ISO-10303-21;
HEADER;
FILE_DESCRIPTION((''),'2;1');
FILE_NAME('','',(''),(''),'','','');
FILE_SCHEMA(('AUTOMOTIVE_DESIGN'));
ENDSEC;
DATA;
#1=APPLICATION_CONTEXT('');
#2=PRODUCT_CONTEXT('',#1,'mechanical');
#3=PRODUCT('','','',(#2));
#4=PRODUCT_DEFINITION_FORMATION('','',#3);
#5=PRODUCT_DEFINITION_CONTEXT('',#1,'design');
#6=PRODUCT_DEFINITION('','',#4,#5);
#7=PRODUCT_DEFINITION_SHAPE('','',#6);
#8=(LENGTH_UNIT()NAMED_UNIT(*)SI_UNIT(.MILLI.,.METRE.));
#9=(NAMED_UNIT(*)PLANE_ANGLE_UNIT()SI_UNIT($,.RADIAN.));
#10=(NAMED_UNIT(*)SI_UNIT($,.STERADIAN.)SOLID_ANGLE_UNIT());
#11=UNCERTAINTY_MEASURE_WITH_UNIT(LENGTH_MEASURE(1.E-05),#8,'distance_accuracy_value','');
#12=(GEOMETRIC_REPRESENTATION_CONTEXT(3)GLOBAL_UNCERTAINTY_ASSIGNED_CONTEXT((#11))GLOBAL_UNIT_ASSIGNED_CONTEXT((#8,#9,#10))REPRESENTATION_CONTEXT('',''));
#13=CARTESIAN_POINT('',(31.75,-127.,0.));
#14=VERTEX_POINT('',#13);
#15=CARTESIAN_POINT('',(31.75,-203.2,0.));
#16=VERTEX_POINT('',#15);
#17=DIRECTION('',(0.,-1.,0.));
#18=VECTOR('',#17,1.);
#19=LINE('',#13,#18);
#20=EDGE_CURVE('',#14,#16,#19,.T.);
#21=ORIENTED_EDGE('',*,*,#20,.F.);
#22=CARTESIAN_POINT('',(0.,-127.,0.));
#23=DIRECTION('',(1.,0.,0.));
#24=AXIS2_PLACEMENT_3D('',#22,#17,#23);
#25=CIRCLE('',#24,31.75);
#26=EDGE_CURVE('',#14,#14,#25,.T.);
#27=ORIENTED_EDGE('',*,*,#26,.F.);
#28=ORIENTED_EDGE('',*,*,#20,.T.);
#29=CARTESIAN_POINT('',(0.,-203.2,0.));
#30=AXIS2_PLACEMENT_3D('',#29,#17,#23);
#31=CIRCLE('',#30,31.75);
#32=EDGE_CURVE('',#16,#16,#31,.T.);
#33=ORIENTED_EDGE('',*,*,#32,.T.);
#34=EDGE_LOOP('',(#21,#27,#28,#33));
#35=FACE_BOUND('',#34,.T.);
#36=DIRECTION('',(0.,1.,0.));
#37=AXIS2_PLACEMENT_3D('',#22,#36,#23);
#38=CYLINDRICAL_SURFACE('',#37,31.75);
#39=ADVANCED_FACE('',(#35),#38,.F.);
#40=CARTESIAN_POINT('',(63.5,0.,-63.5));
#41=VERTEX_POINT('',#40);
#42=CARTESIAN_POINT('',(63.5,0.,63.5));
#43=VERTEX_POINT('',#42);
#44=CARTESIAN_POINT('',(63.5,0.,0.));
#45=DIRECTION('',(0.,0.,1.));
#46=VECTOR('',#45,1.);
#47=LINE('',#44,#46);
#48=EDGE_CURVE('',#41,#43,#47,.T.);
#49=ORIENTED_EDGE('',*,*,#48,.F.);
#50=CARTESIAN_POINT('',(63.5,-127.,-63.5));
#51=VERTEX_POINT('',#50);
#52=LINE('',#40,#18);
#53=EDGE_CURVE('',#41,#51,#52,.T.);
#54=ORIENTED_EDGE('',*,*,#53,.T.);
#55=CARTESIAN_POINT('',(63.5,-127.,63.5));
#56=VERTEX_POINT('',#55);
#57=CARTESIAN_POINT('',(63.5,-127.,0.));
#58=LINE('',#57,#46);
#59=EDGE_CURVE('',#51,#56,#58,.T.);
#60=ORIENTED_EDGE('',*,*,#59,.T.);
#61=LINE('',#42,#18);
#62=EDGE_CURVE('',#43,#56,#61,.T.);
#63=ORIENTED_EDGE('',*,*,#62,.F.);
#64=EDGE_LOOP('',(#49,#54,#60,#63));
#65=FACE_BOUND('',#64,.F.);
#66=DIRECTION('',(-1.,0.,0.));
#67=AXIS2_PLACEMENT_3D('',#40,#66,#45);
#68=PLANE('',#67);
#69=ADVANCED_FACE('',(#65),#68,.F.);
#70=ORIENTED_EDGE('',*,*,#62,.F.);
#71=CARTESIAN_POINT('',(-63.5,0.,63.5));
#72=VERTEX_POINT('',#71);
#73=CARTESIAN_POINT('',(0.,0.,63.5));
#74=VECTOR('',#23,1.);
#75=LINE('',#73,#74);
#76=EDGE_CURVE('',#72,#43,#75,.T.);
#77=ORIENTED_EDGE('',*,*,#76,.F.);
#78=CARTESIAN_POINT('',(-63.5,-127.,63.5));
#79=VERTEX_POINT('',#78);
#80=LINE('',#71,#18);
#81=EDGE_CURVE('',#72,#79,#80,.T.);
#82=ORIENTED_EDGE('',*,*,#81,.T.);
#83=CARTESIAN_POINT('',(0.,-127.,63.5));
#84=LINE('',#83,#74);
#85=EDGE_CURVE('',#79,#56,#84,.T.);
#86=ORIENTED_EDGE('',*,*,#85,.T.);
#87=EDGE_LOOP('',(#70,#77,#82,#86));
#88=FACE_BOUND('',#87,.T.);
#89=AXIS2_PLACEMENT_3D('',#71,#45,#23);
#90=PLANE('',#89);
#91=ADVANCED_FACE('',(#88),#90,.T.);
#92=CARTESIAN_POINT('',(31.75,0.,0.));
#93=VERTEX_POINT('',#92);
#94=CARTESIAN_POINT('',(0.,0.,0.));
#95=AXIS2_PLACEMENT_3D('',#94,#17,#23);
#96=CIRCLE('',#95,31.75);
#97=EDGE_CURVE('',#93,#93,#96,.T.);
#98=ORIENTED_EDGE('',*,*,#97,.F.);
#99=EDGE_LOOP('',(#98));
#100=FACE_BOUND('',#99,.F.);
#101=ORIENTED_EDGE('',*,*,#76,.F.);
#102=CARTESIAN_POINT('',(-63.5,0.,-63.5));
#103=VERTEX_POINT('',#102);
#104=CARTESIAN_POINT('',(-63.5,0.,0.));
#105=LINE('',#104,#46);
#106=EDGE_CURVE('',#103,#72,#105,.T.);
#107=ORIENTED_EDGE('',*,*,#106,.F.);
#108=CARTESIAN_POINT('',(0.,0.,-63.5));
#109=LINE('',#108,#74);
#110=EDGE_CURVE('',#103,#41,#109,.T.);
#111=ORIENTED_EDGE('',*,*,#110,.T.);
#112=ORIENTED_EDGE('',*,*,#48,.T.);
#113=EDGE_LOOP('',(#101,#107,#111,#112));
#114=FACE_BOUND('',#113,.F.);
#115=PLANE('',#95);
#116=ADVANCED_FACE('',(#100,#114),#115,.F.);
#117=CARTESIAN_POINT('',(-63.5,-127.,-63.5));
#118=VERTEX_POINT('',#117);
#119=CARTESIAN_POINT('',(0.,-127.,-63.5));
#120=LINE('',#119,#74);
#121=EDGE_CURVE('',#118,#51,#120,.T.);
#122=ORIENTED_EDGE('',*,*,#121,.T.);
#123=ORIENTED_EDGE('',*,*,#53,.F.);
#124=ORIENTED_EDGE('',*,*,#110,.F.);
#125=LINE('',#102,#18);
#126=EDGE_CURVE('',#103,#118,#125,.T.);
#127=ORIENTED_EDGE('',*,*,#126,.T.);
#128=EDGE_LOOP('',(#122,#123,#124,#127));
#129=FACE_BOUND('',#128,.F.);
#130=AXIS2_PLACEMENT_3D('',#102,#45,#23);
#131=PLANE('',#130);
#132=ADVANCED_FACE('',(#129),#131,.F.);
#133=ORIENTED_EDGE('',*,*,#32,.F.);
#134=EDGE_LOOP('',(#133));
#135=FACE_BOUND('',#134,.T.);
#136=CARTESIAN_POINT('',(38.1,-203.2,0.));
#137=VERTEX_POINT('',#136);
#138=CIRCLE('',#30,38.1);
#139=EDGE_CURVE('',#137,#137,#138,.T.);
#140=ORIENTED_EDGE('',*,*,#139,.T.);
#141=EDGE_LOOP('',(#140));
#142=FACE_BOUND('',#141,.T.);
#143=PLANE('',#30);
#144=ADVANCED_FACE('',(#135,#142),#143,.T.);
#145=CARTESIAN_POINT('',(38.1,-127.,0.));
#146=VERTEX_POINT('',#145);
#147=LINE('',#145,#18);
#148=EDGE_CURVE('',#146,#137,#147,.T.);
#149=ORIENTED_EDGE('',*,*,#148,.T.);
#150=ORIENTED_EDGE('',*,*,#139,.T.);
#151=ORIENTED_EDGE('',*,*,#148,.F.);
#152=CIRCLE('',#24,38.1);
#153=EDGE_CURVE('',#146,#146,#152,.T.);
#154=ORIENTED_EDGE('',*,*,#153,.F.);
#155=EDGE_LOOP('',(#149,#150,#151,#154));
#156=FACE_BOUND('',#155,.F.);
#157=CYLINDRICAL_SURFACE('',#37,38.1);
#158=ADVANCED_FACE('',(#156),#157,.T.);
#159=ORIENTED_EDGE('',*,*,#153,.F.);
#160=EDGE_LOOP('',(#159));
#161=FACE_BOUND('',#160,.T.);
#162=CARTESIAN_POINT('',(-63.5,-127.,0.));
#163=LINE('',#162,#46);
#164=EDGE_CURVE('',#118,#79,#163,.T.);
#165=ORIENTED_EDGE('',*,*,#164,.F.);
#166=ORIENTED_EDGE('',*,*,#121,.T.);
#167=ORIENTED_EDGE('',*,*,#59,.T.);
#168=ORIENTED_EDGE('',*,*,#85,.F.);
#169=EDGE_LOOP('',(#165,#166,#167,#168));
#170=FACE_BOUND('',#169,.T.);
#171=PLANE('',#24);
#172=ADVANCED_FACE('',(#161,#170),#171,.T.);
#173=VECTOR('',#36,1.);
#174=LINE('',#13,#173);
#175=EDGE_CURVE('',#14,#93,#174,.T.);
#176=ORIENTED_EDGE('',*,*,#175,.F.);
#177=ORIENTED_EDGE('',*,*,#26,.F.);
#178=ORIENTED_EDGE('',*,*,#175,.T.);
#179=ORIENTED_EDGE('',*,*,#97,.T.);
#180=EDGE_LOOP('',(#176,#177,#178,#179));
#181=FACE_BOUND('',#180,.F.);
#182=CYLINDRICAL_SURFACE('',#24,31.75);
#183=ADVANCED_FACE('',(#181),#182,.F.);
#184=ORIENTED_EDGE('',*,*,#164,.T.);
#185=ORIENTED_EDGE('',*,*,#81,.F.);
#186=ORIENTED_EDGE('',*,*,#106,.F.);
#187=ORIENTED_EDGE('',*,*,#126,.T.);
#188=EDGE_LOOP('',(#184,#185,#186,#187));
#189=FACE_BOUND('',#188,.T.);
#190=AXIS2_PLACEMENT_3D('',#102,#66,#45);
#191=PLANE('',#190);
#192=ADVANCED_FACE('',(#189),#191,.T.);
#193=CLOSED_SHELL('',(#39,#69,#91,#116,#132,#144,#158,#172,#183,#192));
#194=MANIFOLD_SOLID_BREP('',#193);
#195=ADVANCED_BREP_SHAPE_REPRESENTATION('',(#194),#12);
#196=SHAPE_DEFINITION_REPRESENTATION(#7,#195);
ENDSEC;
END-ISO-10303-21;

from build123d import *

# Parameters (mm, degrees)
F0_W     = 127
F0_H     = 127
F1_DEPTH = 127
F2_R     = 31.75
F3_DEPTH = 127.001
F4_R     = 38.1
F4_R_2   = 31.75
F5_DEPTH = 76.2


with BuildPart() as f1:
    # F0 (on Front) → F1 (new body)
    with BuildSketch(Plane.XZ):
        Rectangle(F0_W, F0_H)
    extrude(amount=F1_DEPTH)

    # F2 (on face) → F3 (cut, through all)
    with BuildSketch(Plane.XZ.offset(127)):
        Circle(F2_R)
    extrude(amount=-F3_DEPTH, mode=Mode.SUBTRACT)

    # F4 (on face) → F5 (join)
    with BuildSketch(Plane.XZ.offset(127)):
        Circle(F4_R)
        Circle(F4_R_2, mode=Mode.SUBTRACT)
    extrude(amount=F5_DEPTH)


solid = f1.part
